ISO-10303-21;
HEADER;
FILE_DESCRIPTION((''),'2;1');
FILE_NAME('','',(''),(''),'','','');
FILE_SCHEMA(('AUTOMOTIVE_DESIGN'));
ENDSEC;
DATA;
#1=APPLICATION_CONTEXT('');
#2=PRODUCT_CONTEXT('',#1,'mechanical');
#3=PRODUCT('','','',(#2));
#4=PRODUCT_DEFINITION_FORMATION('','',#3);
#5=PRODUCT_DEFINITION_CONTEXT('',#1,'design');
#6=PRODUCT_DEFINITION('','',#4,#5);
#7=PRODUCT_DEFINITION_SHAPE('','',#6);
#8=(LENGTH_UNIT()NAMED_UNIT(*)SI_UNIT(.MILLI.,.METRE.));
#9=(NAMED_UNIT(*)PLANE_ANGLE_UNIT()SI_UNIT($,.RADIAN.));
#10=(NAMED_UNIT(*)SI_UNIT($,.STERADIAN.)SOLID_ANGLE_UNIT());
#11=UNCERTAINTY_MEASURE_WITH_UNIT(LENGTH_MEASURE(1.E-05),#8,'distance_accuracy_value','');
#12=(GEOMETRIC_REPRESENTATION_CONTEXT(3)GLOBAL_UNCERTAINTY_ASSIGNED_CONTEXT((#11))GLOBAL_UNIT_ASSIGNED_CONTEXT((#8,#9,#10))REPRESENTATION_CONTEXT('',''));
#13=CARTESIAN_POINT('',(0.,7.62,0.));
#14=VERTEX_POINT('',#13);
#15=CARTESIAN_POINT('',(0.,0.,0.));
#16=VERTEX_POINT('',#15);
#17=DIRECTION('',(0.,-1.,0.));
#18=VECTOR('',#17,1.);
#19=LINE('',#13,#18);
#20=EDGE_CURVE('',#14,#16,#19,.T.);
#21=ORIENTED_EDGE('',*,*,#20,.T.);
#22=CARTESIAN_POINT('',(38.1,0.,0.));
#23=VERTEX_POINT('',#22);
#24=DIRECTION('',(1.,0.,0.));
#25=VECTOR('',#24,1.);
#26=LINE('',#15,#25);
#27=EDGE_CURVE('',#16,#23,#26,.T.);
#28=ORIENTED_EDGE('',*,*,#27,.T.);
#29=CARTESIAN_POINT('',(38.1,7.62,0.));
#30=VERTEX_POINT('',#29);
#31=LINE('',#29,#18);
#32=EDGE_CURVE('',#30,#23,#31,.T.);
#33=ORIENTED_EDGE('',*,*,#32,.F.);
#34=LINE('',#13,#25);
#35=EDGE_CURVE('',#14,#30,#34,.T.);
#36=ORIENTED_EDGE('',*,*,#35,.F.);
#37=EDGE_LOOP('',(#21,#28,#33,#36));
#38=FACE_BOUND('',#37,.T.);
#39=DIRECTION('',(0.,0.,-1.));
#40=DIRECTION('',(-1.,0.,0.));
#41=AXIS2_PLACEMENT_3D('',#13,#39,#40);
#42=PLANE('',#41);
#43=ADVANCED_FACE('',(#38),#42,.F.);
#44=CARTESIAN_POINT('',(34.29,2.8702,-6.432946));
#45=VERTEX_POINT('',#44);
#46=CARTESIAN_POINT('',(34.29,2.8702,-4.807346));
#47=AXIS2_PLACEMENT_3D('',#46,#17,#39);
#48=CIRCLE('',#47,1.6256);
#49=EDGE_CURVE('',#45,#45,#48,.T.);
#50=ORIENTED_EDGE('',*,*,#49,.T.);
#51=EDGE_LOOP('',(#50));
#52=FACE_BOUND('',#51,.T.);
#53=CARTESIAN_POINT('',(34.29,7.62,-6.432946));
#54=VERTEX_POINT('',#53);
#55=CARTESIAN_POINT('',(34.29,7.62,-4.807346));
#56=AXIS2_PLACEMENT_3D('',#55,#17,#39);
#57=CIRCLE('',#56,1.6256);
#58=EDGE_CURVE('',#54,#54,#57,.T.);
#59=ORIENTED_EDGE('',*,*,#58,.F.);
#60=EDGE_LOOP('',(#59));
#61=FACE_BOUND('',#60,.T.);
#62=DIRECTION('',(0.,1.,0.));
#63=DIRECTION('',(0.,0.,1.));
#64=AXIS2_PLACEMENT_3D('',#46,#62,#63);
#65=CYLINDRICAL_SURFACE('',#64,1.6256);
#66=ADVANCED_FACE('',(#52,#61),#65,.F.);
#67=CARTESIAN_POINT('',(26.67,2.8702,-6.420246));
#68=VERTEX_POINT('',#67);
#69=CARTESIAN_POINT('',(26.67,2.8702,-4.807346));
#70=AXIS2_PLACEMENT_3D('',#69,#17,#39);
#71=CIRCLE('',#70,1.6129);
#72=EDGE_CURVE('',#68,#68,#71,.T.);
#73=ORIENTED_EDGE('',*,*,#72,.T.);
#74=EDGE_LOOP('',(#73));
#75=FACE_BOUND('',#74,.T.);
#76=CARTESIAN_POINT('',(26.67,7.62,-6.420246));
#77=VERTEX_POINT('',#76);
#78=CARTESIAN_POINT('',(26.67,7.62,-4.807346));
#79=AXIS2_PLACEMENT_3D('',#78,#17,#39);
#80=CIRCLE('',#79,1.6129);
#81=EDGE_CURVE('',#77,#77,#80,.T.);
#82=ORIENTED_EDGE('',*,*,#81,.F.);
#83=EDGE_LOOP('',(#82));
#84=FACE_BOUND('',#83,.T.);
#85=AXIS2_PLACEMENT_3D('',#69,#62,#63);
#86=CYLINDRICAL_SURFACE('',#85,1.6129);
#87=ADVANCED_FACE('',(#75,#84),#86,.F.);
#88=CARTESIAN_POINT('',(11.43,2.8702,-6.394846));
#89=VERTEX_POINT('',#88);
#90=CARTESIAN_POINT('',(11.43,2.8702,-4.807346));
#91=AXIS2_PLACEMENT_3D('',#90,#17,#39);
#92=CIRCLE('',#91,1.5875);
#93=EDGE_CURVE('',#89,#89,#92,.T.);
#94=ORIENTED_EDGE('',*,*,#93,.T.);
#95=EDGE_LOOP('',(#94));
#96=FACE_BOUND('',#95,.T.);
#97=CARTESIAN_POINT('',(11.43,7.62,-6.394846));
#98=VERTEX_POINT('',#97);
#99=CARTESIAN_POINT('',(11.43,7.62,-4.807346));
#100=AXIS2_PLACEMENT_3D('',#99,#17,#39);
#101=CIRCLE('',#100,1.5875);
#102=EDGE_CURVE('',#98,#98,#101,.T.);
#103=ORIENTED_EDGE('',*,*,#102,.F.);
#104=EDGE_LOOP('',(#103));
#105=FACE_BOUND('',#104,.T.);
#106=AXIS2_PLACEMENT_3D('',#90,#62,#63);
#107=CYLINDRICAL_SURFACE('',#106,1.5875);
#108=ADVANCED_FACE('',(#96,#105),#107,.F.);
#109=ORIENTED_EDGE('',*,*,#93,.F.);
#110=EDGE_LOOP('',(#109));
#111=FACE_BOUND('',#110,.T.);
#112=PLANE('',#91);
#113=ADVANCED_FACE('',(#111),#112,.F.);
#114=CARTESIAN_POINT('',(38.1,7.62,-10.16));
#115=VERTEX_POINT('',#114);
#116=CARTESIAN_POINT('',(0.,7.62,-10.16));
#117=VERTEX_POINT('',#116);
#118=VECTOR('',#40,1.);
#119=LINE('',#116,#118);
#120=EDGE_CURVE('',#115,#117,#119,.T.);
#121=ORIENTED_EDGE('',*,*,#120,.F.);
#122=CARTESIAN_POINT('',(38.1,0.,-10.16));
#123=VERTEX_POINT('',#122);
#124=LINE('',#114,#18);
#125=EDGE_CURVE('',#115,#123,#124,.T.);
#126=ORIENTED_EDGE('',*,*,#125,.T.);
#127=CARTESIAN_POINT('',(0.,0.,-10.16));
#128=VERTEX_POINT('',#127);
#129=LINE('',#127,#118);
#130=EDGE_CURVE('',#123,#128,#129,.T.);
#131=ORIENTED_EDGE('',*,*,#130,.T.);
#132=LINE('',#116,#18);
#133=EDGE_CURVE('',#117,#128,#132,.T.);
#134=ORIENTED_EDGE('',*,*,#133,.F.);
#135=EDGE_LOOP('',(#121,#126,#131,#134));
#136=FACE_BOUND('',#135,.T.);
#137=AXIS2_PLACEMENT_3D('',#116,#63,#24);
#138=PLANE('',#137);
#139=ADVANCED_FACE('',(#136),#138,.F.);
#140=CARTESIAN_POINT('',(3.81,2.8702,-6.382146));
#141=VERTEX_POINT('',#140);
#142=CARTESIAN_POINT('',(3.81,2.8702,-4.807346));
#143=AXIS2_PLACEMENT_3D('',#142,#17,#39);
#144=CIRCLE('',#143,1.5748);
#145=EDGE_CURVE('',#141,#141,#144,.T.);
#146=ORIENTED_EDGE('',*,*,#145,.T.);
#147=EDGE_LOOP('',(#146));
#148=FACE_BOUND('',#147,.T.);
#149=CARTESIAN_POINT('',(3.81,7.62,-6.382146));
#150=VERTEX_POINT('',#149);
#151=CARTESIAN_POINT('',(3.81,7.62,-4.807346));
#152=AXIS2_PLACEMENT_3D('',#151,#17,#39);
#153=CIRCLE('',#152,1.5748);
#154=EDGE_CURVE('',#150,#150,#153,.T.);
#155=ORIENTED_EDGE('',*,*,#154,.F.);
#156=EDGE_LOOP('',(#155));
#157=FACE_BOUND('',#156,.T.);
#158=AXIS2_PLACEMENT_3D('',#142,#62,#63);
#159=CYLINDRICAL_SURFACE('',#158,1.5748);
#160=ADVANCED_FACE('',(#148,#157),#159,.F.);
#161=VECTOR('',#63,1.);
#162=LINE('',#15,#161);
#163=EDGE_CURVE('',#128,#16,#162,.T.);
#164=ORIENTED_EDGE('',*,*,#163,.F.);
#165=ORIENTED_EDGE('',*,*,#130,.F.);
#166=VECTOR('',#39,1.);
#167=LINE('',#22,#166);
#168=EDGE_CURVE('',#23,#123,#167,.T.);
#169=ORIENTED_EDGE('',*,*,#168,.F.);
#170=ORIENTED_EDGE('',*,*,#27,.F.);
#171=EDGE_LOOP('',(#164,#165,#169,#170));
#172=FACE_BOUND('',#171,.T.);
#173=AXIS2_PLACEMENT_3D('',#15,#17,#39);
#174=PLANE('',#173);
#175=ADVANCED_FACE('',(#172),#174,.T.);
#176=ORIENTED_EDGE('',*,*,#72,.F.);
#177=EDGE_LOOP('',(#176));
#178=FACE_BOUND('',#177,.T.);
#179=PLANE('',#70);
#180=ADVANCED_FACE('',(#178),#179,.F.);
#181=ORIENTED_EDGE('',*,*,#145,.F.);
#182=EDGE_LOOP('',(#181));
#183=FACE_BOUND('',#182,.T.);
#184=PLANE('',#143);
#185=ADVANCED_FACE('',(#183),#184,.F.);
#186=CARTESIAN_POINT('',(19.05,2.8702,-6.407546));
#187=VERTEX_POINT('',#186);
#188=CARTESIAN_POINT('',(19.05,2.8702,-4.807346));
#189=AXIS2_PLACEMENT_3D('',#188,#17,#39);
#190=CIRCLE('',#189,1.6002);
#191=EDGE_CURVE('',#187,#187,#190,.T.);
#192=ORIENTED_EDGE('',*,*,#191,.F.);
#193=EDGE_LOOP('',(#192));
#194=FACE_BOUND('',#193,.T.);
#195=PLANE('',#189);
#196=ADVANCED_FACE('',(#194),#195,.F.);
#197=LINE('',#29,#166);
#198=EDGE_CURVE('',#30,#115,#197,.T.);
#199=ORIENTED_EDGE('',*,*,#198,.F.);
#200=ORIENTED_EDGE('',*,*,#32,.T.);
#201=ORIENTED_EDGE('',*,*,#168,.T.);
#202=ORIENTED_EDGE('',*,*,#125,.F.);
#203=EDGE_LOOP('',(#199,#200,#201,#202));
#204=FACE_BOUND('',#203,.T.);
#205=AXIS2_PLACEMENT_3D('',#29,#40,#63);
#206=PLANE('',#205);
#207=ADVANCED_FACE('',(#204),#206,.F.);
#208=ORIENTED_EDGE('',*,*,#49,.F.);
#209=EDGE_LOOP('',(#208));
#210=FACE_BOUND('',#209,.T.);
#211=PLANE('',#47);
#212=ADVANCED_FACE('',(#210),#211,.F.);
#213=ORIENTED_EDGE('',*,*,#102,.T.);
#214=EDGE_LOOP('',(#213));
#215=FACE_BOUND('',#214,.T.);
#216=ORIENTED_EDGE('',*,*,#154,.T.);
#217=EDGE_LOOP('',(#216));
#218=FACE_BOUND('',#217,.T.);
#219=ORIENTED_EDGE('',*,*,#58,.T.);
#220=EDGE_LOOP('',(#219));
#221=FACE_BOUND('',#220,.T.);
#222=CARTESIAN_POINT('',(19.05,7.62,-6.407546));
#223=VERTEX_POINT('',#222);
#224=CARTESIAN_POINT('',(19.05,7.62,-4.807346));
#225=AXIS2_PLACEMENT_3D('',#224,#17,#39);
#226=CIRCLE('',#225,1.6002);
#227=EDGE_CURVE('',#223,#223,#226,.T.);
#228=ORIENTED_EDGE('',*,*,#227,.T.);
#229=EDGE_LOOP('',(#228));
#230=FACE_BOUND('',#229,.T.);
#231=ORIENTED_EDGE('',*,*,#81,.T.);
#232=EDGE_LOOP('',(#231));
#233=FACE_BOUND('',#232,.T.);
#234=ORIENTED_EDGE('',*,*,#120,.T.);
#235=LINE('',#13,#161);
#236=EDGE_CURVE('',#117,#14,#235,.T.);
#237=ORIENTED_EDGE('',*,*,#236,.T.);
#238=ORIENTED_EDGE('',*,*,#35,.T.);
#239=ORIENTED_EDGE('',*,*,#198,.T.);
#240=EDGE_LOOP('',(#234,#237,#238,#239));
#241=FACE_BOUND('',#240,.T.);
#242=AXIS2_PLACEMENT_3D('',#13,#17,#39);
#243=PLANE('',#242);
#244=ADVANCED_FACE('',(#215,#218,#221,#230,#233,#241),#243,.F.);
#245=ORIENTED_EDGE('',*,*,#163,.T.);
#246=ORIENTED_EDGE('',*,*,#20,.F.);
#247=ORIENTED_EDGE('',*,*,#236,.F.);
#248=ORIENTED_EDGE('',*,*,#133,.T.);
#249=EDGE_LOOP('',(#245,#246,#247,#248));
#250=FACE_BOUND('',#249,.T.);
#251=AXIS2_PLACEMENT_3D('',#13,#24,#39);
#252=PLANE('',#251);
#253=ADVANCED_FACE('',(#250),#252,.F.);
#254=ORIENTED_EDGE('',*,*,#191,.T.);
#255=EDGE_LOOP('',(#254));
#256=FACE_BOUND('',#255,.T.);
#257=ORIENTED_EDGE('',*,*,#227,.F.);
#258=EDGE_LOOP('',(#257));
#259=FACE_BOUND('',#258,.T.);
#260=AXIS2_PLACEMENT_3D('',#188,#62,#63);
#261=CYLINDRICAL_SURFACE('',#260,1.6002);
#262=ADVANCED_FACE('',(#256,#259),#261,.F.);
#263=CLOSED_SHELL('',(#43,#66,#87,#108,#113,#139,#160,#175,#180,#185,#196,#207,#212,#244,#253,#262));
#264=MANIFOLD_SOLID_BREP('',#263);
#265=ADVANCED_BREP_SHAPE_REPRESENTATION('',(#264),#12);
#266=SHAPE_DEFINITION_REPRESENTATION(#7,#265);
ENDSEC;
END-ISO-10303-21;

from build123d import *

# Parameters (mm, degrees)
SKETCH3_W           = 38.1
SKETCH3_H           = 10.16
BOSS_EXTRUDE2_DEPTH = 7.62
CUT_EXTRUDE1_START  = 7.62
SKETCH1_R           = 1.5748
SKETCH1_R_2         = 1.5875
SKETCH1_R_3         = 1.6002
SKETCH1_R_4         = 1.6129
SKETCH1_R_5         = 1.6256
CUT_EXTRUDE1_DEPTH  = 4.7498


with BuildPart() as part:
    # Sketch3 → Boss-Extrude2 (new body)
    with BuildSketch(Plane(origin=(0, 0, 0), x_dir=(1, 0, 0), z_dir=(0, 1, 0))):
        with Locations((19.05, 5.08)):
            Rectangle(SKETCH3_W, SKETCH3_H)
    extrude(amount=BOSS_EXTRUDE2_DEPTH)

    # Sketch1 → Cut-Extrude1 (cut)
    with BuildSketch(Plane(origin=(0, 0, 0), x_dir=(1, 0, 0), z_dir=(0, 1, 0)).offset(CUT_EXTRUDE1_START)):
        with Locations(Location((3.81, 4.807346471, 0), (0, 0, 90))):
            Circle(SKETCH1_R)
        with Locations(Location((11.43, 4.807346471, 0), (0, 0, 90))):
            Circle(SKETCH1_R_2)
        with Locations(Location((19.05, 4.807346471, 0), (0, 0, 90))):
            Circle(SKETCH1_R_3)
        with Locations(Location((26.67, 4.807346471, 0), (0, 0, 90))):
            Circle(SKETCH1_R_4)
        with Locations(Location((34.29, 4.807346471, 0), (0, 0, 90))):
            Circle(SKETCH1_R_5)
    extrude(amount=-CUT_EXTRUDE1_DEPTH, mode=Mode.SUBTRACT)


solid = part.part
